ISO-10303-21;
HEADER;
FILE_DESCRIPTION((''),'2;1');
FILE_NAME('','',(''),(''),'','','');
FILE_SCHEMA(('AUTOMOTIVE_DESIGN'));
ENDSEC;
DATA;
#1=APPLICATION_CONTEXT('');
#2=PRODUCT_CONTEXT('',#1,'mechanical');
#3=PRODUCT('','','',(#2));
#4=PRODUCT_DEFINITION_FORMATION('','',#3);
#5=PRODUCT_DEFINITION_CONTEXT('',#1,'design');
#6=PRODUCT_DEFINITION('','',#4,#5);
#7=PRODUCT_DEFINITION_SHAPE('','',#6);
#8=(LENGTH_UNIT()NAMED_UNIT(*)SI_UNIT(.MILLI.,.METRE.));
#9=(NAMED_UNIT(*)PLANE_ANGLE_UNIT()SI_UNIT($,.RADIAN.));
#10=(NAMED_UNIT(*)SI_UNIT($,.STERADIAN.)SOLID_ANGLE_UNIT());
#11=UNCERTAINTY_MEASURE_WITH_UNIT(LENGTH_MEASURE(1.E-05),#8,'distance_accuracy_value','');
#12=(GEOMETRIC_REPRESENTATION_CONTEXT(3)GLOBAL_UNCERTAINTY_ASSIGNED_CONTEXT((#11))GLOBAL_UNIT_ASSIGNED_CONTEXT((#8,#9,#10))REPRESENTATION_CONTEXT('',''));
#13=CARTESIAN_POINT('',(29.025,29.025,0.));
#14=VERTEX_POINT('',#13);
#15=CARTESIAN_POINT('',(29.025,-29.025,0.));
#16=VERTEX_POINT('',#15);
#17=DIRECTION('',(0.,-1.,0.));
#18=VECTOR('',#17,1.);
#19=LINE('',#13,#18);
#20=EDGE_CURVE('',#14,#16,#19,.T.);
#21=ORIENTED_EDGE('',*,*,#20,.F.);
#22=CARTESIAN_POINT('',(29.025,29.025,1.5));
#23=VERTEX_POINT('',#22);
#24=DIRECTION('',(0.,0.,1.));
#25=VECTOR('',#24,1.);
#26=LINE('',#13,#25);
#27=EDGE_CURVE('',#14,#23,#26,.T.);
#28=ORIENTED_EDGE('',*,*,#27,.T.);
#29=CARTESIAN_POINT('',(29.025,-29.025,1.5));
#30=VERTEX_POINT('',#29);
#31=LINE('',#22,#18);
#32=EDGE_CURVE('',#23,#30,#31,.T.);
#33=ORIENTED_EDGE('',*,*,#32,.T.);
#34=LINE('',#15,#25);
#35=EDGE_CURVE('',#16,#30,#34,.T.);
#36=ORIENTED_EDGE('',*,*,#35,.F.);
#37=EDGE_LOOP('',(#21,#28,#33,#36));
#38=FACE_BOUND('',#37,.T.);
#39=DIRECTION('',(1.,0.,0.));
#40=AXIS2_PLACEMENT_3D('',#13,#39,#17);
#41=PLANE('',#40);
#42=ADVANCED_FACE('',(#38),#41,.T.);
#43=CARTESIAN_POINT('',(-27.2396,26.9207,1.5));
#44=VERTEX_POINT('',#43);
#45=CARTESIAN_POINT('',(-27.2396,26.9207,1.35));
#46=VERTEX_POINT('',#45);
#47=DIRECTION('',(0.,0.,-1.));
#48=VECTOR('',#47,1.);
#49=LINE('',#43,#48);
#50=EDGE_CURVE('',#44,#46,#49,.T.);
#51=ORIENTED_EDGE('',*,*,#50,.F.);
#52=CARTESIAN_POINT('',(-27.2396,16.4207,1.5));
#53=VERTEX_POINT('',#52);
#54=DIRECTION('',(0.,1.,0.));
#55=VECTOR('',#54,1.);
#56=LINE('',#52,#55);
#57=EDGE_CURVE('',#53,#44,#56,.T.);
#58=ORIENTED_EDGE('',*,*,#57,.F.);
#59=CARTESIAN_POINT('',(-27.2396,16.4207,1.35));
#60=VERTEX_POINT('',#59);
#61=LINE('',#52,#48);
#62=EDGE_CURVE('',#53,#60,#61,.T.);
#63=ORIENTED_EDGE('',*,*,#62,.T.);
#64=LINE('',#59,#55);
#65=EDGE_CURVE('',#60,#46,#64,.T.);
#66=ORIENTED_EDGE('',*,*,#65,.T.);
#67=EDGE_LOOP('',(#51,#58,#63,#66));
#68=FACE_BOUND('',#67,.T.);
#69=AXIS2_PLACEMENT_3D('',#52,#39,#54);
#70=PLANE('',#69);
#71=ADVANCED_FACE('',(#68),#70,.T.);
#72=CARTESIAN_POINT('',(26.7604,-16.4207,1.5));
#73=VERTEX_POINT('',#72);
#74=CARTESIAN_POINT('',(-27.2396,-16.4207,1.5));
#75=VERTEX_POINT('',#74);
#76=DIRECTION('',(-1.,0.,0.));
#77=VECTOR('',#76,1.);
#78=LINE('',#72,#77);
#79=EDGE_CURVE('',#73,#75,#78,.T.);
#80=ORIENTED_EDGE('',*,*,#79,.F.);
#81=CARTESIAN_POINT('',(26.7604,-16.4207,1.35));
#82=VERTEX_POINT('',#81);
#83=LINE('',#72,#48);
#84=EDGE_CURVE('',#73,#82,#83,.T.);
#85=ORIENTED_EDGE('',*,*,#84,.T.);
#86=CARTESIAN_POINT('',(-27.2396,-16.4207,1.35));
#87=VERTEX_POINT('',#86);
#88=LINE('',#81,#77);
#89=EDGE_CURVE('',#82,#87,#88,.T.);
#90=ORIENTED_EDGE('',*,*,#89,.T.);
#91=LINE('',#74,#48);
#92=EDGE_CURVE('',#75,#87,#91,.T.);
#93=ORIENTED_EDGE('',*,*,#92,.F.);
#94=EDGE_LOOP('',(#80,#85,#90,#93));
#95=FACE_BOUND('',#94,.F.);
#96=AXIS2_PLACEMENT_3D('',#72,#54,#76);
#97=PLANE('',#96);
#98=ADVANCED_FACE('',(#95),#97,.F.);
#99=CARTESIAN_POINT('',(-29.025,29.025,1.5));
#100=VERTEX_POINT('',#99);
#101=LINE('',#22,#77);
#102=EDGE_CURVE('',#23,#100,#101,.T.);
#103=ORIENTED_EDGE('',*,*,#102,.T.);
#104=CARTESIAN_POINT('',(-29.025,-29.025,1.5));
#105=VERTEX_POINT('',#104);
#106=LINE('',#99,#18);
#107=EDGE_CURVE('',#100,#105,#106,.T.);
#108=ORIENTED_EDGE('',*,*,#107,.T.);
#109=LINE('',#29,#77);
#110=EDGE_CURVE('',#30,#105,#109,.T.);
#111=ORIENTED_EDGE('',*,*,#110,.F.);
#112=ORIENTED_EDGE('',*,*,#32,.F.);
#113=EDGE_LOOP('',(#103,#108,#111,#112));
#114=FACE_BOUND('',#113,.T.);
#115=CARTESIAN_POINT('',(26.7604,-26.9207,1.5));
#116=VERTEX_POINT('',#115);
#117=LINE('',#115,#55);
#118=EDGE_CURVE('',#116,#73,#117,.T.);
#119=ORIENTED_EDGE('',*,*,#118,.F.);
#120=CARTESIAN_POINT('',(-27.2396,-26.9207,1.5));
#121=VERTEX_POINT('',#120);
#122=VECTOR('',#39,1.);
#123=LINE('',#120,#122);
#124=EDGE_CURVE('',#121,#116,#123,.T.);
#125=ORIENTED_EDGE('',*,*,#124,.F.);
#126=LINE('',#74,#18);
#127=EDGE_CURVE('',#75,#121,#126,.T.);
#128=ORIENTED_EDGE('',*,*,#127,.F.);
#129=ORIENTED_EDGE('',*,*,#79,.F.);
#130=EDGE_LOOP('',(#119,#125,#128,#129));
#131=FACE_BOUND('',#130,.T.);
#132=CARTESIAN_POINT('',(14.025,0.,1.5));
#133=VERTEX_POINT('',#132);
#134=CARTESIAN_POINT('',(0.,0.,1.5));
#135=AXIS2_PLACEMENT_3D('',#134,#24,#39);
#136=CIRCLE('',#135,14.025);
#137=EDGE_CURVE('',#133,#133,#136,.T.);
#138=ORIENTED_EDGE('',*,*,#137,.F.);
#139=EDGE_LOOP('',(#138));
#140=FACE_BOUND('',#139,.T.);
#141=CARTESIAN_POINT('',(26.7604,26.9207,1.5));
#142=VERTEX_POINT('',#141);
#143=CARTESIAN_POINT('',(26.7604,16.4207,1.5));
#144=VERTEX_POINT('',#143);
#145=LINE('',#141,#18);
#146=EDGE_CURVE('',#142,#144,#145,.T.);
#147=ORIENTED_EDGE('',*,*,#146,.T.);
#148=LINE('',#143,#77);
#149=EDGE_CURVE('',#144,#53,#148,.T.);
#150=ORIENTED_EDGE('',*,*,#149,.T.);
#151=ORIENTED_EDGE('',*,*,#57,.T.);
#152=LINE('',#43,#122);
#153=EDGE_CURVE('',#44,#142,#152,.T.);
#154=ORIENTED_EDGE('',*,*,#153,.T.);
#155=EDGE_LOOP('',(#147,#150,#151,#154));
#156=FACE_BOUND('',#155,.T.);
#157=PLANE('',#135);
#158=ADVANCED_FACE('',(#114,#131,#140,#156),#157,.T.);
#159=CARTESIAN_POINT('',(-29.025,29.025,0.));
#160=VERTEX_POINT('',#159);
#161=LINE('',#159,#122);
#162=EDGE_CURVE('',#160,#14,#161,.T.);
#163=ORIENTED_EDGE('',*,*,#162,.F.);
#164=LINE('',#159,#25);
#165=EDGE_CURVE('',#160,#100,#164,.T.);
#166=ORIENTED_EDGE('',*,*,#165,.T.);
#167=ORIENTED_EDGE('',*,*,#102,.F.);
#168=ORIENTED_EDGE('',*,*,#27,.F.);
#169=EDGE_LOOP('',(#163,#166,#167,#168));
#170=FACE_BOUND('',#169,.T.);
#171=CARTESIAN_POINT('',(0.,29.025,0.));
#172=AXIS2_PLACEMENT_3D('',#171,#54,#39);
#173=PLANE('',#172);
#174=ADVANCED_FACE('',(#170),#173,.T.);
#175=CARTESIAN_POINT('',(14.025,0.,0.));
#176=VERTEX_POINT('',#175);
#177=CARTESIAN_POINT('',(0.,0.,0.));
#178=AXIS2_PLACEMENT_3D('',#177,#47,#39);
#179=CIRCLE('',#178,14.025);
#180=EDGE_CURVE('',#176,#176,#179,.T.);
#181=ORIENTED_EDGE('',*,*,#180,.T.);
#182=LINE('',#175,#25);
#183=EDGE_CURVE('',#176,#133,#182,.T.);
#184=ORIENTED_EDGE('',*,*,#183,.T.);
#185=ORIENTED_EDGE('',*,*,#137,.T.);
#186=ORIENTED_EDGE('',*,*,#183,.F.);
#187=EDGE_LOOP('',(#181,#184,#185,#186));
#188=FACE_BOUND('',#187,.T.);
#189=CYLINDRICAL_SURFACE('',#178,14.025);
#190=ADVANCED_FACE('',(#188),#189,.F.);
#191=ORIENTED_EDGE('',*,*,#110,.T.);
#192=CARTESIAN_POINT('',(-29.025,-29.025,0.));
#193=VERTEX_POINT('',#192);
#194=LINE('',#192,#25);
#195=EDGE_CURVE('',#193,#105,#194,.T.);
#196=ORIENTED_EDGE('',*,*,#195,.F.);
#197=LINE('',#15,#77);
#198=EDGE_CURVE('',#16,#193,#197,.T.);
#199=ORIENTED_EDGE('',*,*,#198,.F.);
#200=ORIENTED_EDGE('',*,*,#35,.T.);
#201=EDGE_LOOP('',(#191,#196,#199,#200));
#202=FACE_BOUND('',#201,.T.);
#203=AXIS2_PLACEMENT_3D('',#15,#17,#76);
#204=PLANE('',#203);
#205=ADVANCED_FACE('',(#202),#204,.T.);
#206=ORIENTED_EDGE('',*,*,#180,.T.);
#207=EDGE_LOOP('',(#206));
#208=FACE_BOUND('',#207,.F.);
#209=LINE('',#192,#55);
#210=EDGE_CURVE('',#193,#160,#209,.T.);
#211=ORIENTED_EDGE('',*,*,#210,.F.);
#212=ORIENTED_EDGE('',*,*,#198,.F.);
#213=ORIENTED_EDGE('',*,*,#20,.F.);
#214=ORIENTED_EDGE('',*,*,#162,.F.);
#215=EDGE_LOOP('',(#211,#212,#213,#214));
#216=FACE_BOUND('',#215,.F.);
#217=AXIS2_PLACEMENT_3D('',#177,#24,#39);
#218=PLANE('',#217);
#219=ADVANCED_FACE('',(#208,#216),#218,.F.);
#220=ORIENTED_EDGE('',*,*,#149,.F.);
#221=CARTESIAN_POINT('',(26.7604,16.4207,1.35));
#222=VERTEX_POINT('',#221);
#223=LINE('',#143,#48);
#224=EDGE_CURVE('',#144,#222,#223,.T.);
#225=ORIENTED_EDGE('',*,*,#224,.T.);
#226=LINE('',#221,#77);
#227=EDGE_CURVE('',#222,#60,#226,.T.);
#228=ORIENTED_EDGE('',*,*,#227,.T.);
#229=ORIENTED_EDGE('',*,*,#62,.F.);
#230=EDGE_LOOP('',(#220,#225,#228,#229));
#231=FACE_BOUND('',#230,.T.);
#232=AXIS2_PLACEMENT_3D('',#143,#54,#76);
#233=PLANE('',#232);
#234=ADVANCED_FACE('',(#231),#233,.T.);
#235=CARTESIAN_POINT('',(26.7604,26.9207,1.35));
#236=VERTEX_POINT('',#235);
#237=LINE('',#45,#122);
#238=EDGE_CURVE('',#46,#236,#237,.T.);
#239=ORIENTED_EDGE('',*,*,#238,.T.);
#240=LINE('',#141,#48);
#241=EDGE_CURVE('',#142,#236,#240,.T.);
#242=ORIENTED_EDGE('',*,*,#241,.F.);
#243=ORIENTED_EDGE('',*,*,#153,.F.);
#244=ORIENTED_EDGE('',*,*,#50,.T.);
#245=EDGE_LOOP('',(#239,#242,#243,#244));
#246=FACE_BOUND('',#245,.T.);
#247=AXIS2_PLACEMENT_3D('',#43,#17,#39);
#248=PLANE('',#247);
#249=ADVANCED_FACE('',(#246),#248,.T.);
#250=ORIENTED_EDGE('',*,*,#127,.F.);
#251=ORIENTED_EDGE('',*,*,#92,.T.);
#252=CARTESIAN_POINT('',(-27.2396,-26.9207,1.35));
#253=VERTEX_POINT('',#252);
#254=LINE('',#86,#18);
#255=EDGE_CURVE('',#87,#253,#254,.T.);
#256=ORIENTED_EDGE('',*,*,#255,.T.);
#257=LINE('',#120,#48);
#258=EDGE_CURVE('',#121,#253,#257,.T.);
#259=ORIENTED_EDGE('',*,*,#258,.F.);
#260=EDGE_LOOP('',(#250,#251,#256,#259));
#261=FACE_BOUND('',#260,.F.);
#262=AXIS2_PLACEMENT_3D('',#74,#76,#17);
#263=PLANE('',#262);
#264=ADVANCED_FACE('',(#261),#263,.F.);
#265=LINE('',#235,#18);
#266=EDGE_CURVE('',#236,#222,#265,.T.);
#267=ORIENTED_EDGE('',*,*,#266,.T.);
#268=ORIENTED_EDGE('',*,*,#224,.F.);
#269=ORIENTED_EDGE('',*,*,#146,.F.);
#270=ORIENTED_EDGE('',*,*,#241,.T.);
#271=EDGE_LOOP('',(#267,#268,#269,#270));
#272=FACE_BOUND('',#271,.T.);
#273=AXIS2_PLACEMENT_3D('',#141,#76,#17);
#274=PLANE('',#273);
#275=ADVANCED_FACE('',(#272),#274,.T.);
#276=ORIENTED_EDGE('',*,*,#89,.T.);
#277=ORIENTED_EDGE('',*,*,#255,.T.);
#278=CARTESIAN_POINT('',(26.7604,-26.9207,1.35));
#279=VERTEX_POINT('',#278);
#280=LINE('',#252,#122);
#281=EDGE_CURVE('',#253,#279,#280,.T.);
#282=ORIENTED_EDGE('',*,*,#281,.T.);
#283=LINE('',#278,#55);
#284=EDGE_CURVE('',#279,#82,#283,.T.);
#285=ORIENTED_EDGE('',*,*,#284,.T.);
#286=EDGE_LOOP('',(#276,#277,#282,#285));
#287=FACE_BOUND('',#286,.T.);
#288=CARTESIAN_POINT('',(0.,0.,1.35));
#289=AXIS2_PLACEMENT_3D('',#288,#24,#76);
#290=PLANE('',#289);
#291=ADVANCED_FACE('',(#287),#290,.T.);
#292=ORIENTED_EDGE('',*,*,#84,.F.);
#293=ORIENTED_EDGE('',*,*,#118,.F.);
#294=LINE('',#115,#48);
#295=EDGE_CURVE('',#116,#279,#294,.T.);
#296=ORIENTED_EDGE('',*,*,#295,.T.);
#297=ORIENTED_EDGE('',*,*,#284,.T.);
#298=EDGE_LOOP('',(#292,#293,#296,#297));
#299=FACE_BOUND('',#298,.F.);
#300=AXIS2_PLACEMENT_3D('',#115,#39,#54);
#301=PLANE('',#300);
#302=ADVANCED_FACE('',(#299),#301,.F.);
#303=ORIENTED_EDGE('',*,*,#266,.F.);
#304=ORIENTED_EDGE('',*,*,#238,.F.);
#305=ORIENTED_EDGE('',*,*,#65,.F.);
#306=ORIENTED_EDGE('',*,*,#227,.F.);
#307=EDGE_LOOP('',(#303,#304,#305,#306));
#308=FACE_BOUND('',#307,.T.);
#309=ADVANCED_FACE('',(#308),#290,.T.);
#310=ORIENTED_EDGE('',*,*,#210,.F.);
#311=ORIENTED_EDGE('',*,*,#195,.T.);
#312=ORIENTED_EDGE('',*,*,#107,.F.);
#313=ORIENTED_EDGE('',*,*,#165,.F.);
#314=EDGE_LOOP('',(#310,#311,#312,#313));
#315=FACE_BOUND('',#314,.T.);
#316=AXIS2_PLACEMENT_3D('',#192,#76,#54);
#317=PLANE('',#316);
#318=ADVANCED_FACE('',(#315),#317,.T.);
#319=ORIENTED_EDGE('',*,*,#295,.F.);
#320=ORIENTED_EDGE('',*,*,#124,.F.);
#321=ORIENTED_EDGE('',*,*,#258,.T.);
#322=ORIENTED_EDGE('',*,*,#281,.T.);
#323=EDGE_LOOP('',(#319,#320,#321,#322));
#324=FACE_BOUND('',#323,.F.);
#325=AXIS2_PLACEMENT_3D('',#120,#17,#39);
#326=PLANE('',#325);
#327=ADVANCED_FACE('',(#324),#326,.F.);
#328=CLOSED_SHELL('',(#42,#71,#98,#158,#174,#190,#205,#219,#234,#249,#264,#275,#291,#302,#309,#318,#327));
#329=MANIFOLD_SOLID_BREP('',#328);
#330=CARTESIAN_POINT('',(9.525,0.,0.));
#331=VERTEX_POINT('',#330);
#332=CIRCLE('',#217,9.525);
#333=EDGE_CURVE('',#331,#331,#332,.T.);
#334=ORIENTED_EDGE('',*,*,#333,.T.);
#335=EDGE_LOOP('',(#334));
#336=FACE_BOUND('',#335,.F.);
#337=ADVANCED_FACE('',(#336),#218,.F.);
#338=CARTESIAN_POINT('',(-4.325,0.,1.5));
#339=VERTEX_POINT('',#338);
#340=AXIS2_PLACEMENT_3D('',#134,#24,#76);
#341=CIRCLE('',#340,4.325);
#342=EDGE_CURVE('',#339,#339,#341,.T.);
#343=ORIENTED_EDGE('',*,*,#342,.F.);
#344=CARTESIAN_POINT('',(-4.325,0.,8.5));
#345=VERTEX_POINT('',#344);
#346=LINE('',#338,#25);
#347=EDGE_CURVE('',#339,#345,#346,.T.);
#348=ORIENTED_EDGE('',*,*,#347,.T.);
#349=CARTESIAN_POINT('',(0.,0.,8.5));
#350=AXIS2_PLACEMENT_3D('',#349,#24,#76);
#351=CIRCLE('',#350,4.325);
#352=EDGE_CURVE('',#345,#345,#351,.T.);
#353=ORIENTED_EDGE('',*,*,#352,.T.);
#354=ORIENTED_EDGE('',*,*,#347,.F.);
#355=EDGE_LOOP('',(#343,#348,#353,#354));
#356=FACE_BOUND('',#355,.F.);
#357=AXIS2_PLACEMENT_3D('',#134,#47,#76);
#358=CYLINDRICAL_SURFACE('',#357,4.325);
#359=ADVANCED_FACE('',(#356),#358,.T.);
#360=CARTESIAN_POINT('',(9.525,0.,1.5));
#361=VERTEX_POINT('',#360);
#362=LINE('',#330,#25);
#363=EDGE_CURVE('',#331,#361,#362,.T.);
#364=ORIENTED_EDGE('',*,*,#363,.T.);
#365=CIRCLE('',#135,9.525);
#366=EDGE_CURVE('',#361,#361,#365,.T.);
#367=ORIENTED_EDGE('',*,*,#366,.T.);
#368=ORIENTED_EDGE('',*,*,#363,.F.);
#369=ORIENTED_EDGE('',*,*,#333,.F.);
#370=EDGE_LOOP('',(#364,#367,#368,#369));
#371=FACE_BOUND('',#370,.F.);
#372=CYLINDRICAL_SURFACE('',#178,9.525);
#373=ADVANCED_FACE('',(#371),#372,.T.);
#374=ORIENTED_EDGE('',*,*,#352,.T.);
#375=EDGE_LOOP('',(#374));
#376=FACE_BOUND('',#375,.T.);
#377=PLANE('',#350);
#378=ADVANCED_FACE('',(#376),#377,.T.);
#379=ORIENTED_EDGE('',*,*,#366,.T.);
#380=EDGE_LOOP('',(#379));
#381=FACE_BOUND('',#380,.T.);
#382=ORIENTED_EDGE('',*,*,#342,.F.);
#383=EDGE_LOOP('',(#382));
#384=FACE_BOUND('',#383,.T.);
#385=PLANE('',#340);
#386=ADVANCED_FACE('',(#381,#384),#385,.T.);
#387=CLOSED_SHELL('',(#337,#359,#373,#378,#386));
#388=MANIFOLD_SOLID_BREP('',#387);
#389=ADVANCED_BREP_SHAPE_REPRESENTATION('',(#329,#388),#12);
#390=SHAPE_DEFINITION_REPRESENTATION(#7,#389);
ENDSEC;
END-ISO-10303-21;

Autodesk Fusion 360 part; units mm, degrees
sketch "Sketch1" plane through (0, 0, 0) normal (0, 0, 1) x (1, 0, 0)
  circle A0 centre (0, 0) radius 9.525
  dimension "d1" = 19.05
extrude "Extrude1" add sketch "Sketch1" along normal blind 1.5 makes body 1
sketch "Sketch2" plane through (0, 0, 1.5) normal (0, 0, 1) x (-1, 0, 0)
  circle A0 centre (0, 0) radius 9.525
  line L0 (7, -5.7371) -> (-6, -5.7371)
  line L1 (-6, -5.7371) -> (-6, 5.2629)
  line L2 (-6, 5.2629) -> (7, 5.2629)
  line L3 (7, 5.2629) -> (7, -5.7371)
  dimension "d4" = 13
  dimension "d5" = 11
extrude "Extrude2" cut sketch "Sketch2" against normal blind 0.15 contours L0 L1 L2 L3 bodies 1
sketch "Sketch3" plane through (0, 0, 0) normal (0, 0, 1) x (1, 0, 0)
  line L0 (6, 5.7371) -> (6, -5.2629)
  line L1 (6, -5.2629) -> (-7, -5.2629)
  line L2 (-7, -5.2629) -> (-7, 5.7371)
  line L3 (-7, 5.7371) -> (6, 5.7371)
  circle A0 centre (0, 0) radius 9.525
  circle A1 centre (0, 0) radius 14.025
  line L4 (0, 14.025) -> (0, 29.025)
  line L5 (-14.025, 0) -> (-29.025, 0)
  line L6 (-29.025, 0) -> (-29.025, 29.025)
  line L7 (-29.025, 29.025) -> (29.025, 29.025)
  line L8 (29.025, 29.025) -> (29.025, -29.025)
  line L9 (29.025, -29.025) -> (-29.025, -29.025)
  line L10 (-29.025, -29.025) -> (-29.025, 29.025)
  dimension "d8" = 4.5
  dimension "d9" = 15
  dimension "d10" = 15
  dimension "d11" = 58.05
  dimension "d12" = 58.05
extrude "Extrude3" add sketch "Sketch3" along normal blind 1.5 separate body contours A1 L4 L5 L7 L8 L9 L10 | A1 L4 L5 L6 L7 L10 makes body 2
sketch "Sketch4" plane through (0, 0, 1.5) normal (0, 0, 1) x (-1, 0, 0)
  circle A0 centre (0, 0) radius 14.025
  line L0 (29.025, 29.025) -> (-29.025, 29.025)
  line L1 (-29.025, 29.025) -> (-29.025, -29.025)
  line L2 (-29.025, -29.025) -> (29.025, -29.025)
  line L3 (29.025, -29.025) -> (29.025, 29.025)
  line L4 (27.2396, -26.9207) -> (-26.7604, -26.9207)
  line L5 (-26.7604, -26.9207) -> (-26.7604, -16.4207)
  line L6 (-26.7604, -16.4207) -> (27.2396, -16.4207)
  line L7 (27.2396, -16.4207) -> (27.2396, -26.9207)
  line L8 (0, 0) -> (-20.0107, 0)
  line L9 (-26.7604, 16.4207) -> (27.2396, 16.4207)
  line L10 (-26.7604, 26.9207) -> (-26.7604, 16.4207)
  line L11 (27.2396, 26.9207) -> (-26.7604, 26.9207)
  line L12 (27.2396, 16.4207) -> (27.2396, 26.9207)
  dimension "d15" = 54
  dimension "d16" = 10.5
extrude "Extrude4" cut sketch "Sketch4" against normal blind 0.15 contours L4 L5 L6 L7 | L9 L10 L11 L12 bodies 2
extrude "Extrude5" add 1 faces at (-2.6667, 2.0705, 1.35) along direction (0, 0, 1) blind 0.15 on bodies 1 bodies 1
sketch "Sketch5" plane through (0, 0, 1.5) normal (0, 0, 1) x (-1, 0, 0)
  circle A0 centre (0, 0) radius 9.525
  circle A1 centre (0, 0) radius 4.325
  dimension "d21" = 8.65
extrude "Extrude6" add sketch "Sketch5" along normal blind 7 contours A1 bodies 1
equation "d1 = 14.05 mm + 5 mm"
